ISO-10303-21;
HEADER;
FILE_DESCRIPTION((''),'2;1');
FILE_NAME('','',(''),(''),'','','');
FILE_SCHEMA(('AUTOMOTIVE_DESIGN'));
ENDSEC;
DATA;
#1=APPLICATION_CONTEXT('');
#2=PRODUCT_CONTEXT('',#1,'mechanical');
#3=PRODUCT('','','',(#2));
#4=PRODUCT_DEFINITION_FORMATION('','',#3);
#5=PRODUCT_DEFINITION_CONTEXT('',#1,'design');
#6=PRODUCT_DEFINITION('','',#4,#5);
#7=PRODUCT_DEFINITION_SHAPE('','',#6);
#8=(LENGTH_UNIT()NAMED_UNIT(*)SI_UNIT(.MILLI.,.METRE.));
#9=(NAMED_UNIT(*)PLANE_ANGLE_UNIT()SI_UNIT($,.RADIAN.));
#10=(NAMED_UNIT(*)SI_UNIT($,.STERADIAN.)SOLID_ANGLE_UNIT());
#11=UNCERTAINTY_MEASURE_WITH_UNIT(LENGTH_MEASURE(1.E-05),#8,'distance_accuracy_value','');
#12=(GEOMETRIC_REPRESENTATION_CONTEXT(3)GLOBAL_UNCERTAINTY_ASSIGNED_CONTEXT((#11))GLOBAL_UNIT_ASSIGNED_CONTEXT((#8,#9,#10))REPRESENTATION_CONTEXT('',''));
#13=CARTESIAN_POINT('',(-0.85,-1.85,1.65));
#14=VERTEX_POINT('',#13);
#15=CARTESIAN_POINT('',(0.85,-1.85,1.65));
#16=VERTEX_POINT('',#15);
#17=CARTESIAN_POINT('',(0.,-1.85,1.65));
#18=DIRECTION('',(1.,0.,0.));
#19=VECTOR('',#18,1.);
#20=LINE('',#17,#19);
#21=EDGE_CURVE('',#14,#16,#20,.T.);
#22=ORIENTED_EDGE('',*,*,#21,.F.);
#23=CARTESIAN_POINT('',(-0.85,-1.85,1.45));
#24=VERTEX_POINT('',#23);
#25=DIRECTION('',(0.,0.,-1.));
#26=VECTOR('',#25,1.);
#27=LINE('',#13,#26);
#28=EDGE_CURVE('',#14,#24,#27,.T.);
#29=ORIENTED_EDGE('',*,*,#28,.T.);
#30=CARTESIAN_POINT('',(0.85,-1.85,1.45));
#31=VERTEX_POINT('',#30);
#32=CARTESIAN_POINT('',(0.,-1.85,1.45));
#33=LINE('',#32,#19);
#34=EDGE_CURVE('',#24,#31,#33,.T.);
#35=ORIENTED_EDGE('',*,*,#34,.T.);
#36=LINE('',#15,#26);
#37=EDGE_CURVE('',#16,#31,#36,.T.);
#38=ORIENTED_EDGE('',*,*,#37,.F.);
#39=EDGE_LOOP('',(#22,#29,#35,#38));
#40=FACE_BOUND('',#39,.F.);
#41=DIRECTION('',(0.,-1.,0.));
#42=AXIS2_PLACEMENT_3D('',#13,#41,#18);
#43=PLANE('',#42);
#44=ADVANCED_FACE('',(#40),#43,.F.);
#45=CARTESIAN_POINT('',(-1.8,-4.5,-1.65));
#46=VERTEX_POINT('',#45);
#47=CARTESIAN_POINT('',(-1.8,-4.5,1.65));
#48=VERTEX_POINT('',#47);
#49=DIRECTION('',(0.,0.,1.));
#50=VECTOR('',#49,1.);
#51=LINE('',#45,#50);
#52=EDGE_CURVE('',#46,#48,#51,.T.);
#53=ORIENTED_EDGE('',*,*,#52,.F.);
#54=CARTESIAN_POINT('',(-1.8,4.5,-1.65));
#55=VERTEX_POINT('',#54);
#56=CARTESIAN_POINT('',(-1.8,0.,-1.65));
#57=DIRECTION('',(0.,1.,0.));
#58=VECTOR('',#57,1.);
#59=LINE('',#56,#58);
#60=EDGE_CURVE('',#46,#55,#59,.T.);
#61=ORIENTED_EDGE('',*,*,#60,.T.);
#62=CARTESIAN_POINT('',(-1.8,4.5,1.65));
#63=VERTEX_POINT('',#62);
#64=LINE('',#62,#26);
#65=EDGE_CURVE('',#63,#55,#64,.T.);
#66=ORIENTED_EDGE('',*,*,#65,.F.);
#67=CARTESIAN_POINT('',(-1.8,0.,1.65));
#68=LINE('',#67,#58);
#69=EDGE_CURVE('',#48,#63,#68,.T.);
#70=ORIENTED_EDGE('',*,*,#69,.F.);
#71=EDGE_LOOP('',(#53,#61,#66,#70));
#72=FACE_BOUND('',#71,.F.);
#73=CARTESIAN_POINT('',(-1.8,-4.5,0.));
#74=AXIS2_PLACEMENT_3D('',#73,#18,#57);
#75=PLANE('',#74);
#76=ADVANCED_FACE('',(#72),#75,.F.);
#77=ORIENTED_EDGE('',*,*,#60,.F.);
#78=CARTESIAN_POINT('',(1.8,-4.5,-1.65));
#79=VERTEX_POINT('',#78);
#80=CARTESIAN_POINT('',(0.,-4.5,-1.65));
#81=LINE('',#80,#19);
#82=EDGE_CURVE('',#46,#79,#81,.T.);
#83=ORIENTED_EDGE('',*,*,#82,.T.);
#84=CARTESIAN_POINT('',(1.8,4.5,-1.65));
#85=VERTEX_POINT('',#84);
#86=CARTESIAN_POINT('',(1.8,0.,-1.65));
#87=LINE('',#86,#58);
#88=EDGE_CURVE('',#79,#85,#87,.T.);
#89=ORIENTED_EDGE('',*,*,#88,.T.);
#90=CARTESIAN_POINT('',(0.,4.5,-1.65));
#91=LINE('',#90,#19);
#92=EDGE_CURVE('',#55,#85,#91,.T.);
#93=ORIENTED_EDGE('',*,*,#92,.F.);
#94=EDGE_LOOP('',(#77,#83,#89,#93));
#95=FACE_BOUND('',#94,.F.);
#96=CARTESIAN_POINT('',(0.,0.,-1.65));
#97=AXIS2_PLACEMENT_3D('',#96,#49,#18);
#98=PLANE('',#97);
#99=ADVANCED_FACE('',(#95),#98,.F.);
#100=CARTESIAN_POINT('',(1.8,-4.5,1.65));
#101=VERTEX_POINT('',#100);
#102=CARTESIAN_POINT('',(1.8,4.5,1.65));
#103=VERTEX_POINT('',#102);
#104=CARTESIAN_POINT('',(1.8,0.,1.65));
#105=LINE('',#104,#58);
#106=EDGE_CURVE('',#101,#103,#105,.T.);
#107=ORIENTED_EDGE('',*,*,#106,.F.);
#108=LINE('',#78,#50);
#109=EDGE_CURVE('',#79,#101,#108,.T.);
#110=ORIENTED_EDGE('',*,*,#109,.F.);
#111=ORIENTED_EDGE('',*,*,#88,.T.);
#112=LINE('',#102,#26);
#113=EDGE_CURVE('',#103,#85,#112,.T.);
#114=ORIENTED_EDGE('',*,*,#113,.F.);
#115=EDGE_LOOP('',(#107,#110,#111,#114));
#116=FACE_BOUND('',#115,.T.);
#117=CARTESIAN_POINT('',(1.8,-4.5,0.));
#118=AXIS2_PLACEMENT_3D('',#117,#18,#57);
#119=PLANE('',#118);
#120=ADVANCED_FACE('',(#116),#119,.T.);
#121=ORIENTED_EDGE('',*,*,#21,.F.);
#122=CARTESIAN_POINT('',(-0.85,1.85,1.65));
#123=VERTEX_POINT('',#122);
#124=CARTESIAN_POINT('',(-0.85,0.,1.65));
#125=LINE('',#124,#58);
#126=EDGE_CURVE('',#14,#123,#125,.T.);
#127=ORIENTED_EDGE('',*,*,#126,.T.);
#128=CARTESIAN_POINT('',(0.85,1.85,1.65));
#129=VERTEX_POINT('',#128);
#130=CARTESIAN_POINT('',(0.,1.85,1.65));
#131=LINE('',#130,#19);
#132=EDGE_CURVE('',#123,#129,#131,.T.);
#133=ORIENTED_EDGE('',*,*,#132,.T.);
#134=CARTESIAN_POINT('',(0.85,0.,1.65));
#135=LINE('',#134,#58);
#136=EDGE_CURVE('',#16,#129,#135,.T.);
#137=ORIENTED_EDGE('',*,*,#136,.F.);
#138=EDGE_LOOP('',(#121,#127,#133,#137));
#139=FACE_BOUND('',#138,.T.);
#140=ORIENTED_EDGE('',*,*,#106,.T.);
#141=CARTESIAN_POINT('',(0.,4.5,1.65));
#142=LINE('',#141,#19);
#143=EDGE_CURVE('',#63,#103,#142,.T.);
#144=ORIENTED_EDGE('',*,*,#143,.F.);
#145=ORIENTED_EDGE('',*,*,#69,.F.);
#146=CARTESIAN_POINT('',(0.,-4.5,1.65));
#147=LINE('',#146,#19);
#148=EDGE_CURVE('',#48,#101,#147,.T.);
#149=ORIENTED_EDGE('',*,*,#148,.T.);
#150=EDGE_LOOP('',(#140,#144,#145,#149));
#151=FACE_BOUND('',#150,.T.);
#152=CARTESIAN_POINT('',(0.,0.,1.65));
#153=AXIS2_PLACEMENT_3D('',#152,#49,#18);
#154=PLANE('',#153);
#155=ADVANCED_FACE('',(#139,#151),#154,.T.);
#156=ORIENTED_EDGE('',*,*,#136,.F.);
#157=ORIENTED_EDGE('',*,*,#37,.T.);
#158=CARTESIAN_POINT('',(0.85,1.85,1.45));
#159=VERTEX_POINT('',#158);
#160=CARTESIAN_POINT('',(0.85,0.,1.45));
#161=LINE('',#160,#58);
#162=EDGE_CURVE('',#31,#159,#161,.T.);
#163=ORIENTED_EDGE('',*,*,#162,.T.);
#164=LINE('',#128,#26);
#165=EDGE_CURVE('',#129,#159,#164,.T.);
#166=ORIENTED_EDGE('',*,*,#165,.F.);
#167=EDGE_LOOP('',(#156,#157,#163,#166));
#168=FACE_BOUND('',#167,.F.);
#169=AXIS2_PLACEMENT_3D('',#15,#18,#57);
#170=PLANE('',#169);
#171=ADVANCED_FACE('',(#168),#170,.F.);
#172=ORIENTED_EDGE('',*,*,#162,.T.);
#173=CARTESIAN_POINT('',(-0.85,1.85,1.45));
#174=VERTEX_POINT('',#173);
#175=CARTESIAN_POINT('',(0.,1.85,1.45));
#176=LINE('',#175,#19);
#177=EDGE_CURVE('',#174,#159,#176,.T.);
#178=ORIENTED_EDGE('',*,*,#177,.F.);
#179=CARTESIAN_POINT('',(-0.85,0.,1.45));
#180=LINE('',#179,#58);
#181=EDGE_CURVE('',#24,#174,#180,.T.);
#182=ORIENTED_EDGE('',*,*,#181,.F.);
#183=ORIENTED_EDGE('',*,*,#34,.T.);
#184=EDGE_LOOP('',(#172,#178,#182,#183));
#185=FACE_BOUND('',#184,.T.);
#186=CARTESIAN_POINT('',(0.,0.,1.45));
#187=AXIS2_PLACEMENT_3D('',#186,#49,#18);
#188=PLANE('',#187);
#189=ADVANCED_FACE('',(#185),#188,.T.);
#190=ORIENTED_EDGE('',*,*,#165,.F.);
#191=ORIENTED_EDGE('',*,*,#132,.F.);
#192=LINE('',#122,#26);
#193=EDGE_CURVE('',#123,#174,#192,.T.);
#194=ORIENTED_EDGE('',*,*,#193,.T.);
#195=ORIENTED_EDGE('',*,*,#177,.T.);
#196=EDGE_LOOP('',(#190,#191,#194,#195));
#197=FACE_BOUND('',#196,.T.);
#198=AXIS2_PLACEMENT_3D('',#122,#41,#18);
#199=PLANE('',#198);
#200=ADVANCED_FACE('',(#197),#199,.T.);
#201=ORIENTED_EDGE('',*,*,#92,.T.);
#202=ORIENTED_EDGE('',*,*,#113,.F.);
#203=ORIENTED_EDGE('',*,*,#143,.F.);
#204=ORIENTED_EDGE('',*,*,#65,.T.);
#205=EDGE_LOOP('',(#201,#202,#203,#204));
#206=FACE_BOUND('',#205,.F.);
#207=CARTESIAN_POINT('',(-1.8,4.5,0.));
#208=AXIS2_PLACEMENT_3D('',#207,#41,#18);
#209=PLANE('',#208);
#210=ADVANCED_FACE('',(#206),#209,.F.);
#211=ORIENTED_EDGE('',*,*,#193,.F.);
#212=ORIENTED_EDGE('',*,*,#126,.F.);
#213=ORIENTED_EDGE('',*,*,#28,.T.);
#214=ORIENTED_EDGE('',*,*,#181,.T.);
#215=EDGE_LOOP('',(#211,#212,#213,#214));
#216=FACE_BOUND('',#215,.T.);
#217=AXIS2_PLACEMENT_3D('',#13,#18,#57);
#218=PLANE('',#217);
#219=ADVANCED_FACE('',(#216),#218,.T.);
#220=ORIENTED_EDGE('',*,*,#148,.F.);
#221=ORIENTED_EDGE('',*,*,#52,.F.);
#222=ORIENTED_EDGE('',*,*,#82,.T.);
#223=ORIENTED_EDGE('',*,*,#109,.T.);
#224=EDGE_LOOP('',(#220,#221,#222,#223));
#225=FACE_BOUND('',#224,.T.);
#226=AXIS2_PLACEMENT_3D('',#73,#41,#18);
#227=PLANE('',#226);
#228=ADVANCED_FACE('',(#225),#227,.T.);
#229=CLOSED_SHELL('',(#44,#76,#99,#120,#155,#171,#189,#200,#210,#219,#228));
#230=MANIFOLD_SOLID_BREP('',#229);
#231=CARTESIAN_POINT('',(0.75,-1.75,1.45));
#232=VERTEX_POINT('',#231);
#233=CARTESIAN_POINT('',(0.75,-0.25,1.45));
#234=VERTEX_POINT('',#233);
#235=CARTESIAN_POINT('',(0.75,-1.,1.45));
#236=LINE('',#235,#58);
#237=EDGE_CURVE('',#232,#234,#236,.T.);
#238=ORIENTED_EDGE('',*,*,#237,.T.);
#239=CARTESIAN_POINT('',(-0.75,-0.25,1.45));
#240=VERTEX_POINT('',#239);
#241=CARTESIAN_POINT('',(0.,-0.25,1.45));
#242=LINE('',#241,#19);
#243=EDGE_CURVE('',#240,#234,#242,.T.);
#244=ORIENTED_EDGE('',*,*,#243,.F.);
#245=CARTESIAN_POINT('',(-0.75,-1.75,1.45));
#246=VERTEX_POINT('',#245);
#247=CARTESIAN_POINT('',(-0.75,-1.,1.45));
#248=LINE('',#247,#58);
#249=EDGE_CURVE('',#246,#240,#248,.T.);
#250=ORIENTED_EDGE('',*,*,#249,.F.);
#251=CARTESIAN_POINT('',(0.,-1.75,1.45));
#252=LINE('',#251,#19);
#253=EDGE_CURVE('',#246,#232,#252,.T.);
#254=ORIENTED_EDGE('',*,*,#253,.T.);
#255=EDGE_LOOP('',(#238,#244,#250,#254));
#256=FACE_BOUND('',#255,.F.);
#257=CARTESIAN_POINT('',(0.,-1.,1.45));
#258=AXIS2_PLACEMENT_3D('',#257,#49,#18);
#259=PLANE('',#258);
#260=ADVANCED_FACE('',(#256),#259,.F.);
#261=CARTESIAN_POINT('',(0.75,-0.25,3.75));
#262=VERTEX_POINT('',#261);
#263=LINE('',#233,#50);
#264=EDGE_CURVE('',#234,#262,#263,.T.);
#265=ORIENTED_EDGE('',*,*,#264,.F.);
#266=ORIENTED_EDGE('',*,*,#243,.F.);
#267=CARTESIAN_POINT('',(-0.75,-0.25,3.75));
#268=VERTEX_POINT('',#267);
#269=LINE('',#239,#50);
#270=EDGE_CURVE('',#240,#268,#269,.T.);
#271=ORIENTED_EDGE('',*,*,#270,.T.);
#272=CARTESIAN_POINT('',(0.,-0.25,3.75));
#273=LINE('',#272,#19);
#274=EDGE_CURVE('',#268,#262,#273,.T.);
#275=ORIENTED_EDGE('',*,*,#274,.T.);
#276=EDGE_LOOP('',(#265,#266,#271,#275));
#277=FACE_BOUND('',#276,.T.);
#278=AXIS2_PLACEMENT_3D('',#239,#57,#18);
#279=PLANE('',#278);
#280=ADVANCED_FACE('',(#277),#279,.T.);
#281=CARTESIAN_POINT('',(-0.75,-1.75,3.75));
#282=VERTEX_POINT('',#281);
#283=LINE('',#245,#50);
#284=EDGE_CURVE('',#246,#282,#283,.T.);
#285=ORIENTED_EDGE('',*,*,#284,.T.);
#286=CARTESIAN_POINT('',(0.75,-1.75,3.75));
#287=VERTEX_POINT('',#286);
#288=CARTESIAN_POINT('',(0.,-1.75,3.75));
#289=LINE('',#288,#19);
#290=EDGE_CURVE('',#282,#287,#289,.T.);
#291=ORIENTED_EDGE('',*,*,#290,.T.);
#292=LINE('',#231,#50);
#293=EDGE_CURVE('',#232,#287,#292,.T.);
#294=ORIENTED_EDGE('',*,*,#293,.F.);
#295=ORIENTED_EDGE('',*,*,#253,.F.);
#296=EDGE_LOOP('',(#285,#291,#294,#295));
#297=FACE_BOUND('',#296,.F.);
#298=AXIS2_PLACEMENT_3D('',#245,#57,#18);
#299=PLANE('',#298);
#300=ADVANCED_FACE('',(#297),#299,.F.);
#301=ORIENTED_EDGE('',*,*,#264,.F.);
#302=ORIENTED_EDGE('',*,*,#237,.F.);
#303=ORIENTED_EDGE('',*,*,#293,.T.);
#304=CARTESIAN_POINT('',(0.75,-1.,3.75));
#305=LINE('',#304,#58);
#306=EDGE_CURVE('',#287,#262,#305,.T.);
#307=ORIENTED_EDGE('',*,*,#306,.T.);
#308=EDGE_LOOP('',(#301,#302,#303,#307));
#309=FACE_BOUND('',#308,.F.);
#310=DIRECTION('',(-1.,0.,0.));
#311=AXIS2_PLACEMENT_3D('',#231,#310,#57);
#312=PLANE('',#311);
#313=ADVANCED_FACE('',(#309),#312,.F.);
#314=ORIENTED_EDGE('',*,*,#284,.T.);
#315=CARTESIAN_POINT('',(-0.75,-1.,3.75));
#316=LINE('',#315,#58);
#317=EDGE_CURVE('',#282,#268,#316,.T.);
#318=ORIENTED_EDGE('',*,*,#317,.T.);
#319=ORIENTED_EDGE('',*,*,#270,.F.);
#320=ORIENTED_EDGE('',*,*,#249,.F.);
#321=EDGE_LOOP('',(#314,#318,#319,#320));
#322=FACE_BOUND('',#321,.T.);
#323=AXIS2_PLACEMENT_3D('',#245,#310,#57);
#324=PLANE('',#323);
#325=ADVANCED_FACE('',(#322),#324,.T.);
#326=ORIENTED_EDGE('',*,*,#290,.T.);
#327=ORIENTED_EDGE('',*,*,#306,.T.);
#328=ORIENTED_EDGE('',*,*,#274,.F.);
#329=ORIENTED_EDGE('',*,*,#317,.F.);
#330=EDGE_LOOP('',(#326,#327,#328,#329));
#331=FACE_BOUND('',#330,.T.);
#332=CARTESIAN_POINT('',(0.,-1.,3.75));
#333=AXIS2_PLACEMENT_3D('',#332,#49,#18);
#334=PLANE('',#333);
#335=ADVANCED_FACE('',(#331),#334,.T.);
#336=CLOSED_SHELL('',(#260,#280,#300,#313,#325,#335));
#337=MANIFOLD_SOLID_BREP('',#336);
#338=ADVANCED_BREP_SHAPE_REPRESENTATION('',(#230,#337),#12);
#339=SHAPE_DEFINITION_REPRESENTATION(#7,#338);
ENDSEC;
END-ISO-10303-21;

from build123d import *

# Parameters (mm, degrees)
F0_W     = 3.6
F0_H     = 9
F1_DEPTH = 1.65
F2_W     = 1.7
F2_H     = 3.7
F3_DEPTH = 0.2
F4_W     = 1.5
F4_H     = 1.5
F5_DEPTH = 2.3


with BuildPart() as f1:
    # F0 (on Top) → F1 (new body, symmetric)
    with BuildSketch(Plane.XY):
        Rectangle(F0_W, F0_H)
    extrude(amount=F1_DEPTH, both=True)

    # F2 (on face) → F3 (cut)
    with BuildSketch(Plane.XY.offset(1.65)):
        Rectangle(F2_W, F2_H)
    extrude(amount=-F3_DEPTH, mode=Mode.SUBTRACT)


with BuildPart() as f5:
    # F4 (on face) → F5 (new body)
    with BuildSketch(Plane.XY.offset(1.45)):
        with Locations((0, -1)):
            Rectangle(F4_W, F4_H)
    extrude(amount=F5_DEPTH)


solid = Compound([f1.part, f5.part])
